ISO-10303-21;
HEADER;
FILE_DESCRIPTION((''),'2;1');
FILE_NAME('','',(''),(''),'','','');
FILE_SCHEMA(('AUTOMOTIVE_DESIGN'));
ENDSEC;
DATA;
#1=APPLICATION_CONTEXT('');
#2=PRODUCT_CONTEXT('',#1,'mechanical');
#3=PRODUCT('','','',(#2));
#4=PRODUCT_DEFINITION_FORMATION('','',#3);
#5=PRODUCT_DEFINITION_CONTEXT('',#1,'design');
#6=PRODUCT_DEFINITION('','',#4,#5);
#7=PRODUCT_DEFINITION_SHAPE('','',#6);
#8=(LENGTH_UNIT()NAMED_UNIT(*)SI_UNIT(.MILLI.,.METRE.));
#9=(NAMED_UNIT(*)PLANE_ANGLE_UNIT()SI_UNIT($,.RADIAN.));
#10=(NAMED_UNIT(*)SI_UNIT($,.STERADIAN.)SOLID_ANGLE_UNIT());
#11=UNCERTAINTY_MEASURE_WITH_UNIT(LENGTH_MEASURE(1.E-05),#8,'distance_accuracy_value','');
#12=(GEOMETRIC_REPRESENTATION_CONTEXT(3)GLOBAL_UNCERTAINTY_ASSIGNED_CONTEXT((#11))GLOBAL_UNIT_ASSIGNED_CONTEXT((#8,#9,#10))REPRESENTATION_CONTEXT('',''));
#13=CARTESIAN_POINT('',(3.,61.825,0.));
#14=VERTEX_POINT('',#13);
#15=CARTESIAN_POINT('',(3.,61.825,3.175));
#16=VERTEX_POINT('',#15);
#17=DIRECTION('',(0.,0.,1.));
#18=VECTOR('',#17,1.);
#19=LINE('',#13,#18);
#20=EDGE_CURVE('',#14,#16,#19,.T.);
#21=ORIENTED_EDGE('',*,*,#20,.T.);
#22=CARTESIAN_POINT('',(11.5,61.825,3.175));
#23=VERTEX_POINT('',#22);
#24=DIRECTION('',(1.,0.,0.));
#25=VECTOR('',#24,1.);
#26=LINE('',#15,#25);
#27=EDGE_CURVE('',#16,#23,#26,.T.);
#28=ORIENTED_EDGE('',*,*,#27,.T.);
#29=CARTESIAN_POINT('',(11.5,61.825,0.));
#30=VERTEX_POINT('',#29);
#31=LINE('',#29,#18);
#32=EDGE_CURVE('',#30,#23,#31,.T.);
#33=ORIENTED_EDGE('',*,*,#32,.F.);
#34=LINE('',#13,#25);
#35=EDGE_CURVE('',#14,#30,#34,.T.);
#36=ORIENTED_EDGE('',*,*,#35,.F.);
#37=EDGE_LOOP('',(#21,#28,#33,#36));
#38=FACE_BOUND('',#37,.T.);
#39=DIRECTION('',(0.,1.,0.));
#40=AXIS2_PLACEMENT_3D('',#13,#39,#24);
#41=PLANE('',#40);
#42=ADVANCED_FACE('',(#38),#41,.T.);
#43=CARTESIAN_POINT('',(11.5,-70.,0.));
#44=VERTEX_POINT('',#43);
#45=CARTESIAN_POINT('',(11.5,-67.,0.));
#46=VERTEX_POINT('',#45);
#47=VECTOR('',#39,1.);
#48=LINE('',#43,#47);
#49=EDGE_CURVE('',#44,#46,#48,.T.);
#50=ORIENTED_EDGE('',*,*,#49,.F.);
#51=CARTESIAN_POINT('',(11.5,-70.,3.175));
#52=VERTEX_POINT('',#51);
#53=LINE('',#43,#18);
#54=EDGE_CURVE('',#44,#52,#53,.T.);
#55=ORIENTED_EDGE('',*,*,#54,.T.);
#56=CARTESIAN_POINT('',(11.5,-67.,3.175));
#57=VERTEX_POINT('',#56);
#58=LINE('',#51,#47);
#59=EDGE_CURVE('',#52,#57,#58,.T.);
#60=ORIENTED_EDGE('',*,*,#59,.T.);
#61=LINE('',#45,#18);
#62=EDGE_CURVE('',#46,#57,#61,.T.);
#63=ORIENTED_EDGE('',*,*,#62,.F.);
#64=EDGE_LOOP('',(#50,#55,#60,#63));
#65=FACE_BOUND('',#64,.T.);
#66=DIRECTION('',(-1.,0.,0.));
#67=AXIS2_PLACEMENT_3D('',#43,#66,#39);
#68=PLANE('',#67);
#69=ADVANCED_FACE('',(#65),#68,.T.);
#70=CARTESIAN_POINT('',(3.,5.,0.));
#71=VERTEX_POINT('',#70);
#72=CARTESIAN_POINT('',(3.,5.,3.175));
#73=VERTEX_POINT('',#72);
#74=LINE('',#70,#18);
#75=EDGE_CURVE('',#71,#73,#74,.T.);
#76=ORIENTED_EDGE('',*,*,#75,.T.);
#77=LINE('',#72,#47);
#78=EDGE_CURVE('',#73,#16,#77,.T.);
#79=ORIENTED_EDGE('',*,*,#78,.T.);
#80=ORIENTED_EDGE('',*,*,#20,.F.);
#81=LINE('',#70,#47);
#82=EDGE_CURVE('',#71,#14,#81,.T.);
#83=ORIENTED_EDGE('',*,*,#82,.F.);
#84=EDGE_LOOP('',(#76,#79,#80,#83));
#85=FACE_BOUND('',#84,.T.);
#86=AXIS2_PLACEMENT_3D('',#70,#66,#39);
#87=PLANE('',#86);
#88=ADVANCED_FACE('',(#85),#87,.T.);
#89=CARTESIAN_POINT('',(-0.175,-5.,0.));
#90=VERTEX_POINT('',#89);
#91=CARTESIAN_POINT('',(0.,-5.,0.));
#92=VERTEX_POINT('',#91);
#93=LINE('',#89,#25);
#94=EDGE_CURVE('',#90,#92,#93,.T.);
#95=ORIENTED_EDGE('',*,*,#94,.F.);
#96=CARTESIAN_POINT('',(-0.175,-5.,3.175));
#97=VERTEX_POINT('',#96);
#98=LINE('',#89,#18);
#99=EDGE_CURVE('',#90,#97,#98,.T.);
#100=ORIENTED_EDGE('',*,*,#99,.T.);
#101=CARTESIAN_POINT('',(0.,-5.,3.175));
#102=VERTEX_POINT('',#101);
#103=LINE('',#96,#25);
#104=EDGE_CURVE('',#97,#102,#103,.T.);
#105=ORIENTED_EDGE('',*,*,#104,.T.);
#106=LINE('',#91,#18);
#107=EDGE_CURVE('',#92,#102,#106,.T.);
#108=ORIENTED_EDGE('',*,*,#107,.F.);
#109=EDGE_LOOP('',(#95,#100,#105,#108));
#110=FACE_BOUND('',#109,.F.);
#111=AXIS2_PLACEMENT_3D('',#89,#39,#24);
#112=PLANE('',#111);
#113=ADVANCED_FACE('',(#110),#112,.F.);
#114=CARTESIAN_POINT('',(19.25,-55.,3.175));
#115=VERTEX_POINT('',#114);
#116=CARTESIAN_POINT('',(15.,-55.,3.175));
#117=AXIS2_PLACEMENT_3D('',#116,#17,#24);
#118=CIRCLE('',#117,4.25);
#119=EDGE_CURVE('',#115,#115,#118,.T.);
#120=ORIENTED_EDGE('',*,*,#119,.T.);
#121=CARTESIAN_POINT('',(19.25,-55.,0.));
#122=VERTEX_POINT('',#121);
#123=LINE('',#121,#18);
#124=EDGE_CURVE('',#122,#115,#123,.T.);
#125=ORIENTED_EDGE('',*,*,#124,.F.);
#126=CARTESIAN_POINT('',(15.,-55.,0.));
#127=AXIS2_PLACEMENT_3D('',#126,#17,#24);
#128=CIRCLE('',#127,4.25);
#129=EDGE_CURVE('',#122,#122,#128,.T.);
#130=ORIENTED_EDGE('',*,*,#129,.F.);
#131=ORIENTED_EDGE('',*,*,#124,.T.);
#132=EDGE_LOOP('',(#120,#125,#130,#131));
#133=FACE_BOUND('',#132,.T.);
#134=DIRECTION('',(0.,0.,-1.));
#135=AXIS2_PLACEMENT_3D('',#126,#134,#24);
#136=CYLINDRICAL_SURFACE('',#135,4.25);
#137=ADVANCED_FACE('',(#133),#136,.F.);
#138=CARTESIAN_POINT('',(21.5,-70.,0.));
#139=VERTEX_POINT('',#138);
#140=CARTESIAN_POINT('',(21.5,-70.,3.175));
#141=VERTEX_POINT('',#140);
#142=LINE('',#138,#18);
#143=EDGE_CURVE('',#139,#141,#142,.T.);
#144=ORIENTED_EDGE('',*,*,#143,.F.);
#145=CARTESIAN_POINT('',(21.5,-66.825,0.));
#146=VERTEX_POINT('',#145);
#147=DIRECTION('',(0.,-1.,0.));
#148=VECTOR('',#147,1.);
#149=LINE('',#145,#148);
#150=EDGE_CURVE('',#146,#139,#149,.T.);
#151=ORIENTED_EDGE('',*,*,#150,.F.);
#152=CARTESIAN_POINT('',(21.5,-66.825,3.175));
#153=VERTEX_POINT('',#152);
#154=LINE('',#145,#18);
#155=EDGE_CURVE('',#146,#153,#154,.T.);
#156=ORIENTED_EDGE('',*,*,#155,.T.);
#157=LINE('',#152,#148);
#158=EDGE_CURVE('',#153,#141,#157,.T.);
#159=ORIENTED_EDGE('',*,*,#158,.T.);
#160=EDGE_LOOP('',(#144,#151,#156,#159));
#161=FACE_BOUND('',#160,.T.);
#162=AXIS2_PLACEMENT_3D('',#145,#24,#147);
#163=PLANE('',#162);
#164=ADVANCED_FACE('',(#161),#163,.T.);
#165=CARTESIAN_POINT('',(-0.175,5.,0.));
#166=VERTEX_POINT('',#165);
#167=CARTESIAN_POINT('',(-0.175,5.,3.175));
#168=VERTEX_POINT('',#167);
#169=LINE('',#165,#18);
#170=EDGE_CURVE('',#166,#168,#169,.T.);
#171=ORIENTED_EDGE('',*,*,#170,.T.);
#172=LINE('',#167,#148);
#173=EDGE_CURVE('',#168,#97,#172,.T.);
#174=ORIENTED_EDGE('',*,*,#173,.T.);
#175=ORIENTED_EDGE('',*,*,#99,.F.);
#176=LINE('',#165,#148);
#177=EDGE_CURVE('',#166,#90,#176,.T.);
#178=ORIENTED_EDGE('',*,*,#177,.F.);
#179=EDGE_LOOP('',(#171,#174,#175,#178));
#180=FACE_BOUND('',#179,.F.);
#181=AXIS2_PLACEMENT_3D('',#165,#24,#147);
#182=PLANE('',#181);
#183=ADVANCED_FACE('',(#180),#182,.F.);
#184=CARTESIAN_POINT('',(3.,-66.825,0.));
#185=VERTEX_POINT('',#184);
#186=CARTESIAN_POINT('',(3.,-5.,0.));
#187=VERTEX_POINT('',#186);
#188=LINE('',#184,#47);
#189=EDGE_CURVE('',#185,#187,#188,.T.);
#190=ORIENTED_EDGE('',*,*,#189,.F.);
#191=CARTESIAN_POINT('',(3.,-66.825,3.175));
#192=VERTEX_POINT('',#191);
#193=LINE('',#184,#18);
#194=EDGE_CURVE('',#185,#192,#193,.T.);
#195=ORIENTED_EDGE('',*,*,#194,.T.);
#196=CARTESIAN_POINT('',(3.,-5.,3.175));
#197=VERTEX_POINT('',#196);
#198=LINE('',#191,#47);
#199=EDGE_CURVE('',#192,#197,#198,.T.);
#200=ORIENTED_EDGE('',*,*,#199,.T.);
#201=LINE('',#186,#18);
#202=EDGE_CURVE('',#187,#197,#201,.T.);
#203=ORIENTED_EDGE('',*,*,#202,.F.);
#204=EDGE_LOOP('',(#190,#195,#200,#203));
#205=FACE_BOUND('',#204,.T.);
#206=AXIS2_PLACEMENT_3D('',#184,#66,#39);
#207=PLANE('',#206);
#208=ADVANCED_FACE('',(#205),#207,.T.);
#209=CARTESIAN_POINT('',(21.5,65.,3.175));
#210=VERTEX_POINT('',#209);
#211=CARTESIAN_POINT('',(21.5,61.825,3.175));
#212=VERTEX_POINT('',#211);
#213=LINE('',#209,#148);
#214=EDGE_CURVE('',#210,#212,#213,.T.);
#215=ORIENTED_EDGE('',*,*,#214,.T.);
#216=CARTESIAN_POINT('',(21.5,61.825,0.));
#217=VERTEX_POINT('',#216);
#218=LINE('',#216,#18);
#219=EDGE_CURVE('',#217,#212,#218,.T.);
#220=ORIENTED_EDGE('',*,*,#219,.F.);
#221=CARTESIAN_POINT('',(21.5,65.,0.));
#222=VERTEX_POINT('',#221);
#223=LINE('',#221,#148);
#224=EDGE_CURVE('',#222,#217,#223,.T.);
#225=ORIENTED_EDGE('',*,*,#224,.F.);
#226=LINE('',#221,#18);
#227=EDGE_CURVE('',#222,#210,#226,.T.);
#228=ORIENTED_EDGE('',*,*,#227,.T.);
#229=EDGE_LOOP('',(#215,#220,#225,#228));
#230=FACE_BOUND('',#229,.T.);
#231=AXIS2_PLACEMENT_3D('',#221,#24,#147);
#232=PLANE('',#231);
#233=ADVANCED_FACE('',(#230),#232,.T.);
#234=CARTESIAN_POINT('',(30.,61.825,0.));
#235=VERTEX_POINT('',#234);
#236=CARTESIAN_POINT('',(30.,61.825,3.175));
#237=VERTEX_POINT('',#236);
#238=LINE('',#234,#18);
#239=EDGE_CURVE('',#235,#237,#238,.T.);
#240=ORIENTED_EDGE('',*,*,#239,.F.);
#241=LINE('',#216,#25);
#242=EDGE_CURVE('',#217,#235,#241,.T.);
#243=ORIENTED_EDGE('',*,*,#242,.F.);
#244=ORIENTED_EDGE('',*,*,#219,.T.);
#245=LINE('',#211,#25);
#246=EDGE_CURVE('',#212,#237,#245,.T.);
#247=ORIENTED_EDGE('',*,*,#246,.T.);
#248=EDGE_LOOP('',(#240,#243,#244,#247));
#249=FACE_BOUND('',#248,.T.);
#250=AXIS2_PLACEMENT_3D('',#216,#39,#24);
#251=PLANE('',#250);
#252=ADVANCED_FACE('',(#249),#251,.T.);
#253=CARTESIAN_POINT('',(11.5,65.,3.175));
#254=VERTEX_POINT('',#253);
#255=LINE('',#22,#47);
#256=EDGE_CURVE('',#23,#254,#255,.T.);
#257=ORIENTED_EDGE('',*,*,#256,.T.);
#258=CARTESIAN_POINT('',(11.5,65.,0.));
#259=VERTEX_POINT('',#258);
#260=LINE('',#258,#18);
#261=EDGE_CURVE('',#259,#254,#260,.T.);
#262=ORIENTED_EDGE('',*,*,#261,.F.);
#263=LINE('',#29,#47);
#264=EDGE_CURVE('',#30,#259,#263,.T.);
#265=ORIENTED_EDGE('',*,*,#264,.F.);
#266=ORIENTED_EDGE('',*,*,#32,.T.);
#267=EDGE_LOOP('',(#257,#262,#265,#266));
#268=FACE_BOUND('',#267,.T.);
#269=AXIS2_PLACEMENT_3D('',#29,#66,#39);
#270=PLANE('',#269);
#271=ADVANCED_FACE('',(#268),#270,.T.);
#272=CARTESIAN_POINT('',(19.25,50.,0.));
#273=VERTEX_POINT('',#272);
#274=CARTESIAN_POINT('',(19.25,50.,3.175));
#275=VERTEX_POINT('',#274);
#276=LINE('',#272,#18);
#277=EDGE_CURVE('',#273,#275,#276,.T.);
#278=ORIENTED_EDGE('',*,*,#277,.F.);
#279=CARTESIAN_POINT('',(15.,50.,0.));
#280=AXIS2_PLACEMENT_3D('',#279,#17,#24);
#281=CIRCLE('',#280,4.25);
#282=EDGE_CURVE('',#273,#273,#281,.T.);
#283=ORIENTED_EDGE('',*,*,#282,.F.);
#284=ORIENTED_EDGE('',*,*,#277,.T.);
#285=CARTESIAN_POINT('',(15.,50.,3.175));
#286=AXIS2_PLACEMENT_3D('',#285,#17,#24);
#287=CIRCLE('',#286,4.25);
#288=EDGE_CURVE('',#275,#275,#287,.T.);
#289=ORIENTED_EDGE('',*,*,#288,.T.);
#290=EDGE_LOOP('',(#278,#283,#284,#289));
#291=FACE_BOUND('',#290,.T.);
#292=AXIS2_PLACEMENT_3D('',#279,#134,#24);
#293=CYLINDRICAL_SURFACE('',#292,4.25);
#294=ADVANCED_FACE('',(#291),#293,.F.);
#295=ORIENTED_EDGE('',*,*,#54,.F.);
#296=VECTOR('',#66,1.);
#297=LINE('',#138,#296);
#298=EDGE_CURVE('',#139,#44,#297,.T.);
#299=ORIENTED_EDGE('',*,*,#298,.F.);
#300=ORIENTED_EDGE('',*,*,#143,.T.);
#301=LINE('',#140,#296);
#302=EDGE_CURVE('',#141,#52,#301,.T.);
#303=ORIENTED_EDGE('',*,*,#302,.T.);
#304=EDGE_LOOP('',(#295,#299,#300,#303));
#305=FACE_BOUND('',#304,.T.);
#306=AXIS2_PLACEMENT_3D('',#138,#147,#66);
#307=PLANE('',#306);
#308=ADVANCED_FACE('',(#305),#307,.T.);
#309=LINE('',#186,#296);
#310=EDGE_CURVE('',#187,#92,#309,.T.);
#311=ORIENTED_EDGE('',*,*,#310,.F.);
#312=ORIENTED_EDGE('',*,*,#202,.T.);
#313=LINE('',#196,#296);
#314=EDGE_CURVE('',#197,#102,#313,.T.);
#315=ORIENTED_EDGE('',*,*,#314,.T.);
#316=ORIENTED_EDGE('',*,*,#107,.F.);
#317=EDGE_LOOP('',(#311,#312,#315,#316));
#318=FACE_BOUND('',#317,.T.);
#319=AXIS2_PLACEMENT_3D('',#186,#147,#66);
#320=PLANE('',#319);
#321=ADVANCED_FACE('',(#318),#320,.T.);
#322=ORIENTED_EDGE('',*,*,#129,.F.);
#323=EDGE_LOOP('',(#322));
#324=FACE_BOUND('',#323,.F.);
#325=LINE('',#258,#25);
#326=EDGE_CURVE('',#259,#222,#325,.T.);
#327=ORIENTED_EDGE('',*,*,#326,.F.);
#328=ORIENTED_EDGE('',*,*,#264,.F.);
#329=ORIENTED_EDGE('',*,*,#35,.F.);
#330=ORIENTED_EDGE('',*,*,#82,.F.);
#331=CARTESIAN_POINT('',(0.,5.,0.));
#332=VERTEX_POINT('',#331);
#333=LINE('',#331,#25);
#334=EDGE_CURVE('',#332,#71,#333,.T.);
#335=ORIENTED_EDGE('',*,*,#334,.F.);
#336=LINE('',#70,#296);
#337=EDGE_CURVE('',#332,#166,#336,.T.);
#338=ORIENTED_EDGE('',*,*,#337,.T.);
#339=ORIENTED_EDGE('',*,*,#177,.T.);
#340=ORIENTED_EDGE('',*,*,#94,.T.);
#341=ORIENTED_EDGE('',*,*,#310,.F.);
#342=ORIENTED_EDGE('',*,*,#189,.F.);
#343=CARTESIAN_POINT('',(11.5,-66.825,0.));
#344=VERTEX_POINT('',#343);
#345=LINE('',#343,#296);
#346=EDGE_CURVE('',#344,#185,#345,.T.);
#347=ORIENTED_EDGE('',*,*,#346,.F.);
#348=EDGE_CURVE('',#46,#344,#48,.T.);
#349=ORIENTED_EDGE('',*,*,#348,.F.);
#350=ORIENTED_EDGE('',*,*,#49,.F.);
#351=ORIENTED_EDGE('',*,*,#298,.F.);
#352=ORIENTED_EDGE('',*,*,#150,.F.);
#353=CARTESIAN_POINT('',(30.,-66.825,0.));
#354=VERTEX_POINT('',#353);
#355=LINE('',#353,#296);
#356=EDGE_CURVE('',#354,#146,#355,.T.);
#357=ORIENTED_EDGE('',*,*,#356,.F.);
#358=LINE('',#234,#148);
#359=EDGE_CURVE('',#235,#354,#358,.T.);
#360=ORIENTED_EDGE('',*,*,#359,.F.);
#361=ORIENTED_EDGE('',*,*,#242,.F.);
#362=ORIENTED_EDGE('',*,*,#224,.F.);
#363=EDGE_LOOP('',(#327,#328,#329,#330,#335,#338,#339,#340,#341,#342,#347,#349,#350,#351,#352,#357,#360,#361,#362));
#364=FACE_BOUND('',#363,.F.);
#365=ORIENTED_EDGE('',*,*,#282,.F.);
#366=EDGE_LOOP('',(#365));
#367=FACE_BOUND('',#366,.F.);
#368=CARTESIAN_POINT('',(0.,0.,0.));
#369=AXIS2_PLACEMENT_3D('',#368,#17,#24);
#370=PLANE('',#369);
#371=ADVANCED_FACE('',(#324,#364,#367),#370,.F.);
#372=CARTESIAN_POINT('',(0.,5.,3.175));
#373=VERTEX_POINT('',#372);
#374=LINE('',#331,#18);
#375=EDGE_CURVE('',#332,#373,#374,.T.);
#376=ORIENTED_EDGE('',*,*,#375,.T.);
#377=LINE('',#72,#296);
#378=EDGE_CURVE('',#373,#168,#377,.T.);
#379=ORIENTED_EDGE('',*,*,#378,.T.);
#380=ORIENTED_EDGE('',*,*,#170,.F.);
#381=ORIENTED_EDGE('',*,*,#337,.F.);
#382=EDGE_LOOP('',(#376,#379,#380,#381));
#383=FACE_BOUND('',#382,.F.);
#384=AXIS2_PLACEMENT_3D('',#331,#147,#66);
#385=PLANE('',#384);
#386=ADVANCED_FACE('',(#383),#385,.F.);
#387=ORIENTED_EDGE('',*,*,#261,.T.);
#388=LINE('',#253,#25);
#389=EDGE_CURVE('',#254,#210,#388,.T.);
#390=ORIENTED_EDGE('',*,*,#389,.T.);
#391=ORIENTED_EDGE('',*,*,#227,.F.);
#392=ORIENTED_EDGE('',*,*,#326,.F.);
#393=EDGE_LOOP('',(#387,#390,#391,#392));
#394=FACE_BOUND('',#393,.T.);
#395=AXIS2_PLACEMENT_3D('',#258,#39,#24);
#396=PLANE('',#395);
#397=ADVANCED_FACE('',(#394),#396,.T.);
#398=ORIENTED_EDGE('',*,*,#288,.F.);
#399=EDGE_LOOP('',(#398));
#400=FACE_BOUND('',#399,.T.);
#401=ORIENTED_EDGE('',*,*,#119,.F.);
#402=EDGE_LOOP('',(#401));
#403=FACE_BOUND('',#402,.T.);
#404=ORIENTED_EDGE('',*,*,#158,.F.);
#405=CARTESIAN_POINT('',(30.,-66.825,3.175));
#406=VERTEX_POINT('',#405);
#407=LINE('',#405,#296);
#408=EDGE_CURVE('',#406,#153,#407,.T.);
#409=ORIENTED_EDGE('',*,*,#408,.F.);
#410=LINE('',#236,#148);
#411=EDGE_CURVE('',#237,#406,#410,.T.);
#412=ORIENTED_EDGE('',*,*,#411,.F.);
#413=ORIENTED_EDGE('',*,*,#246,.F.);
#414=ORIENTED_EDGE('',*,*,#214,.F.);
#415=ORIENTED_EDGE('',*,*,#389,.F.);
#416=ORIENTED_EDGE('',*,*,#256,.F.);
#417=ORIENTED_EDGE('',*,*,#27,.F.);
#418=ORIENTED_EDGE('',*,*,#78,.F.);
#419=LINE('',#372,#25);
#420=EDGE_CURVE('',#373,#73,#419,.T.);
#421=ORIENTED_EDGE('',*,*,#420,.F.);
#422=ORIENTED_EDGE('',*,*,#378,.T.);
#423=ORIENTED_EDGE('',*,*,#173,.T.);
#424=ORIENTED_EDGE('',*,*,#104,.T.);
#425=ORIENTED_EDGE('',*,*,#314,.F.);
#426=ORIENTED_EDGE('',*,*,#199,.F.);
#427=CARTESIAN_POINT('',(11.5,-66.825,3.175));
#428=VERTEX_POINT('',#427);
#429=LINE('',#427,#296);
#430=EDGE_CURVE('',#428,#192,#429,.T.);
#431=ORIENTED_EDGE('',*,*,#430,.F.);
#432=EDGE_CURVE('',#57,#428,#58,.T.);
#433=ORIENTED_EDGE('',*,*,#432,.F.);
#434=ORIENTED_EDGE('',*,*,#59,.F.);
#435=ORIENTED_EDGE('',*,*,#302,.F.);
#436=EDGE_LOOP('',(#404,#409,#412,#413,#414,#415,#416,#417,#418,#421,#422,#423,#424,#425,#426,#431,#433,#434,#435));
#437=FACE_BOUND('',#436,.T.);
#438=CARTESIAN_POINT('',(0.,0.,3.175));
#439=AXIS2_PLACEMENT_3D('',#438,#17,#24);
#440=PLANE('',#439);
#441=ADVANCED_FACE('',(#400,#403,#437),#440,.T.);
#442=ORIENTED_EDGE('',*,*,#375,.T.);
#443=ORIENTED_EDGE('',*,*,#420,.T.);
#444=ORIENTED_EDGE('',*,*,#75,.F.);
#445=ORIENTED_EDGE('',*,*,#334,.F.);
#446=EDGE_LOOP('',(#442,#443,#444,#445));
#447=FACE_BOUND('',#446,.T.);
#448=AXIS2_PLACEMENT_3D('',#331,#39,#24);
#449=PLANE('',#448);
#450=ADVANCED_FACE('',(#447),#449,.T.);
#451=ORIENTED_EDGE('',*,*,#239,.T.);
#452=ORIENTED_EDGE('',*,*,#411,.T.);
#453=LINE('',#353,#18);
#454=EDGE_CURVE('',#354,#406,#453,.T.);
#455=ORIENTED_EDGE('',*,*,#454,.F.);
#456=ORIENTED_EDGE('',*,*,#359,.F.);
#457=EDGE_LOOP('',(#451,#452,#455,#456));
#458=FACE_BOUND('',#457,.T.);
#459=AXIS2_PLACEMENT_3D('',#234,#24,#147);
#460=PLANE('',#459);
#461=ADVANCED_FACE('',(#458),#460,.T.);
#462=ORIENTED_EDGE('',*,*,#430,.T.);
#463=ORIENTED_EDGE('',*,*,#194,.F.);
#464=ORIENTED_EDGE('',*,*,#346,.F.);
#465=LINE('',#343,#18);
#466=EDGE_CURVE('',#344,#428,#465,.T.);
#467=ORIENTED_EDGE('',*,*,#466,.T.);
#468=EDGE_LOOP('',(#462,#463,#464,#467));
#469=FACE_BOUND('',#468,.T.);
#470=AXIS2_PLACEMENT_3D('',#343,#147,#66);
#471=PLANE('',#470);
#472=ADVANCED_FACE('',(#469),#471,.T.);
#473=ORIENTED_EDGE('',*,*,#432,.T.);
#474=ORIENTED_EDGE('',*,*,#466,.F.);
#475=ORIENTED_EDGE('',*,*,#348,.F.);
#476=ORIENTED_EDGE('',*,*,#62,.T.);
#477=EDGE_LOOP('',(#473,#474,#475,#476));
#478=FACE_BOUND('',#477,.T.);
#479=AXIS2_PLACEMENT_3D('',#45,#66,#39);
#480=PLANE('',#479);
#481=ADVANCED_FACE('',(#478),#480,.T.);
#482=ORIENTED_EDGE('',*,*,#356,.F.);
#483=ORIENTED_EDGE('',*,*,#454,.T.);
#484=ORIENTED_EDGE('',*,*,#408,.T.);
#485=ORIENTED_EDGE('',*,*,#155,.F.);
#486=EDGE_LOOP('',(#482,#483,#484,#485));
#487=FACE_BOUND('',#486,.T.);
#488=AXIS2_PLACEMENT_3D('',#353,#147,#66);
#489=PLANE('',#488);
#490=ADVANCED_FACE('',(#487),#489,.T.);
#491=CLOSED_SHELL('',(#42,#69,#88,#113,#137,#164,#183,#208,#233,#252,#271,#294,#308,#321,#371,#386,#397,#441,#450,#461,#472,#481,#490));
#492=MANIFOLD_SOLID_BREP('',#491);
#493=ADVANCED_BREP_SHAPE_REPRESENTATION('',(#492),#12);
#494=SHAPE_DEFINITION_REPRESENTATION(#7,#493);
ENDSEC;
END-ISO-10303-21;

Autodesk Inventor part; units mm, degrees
ref_plane "YZ Plane" through (0, 0, 0) normal (1, 0, 0) x (0, 1, 0)
ref_plane "XZ Plane" through (0, 0, 0) normal (0, 1, 0) x (-1, 0, 0)
ref_plane "XY Plane" through (0, 0, 0) normal (0, 0, 1) x (1, 0, 0)
sketch "Sketch1" plane through (0, 0, 0) normal (0, 0, 1) x (1, 0, 0)
  line L0 (3, 5) -> (3, 61.825)
  line L1 (11.5, 61.825) -> (11.5, 65)
  line L2 (11.5, 65) -> (21.5, 65)
  line L3 (21.5, 65) -> (21.5, 61.825)
  line L4 (30, 61.825) -> (30, -66.825)
  line L5 (21.5, -66.825) -> (21.5, -70)
  line L6 (21.5, -70) -> (11.5, -70)
  line L7 (11.5, -70) -> (11.5, -67)
  line L8 (3, -66.825) -> (3, -5)
  line L9 (3, -5) -> (0, -5)
  line L10 (0, 5) -> (3, 5)
  circle A0 centre (15, -55) radius 4.25
  circle A1 centre (15, 50) radius 4.25
  line L11 (3, 5) -> (3, 61.825)
  line L12 (11.5, 61.825) -> (11.5, 65)
  line L13 (11.5, 65) -> (21.5, 65)
  line L14 (21.5, 65) -> (21.5, 61.825)
  line L15 (30, 61.825) -> (30, -66.825)
  line L16 (21.5, -66.825) -> (21.5, -70)
  line L17 (21.5, -70) -> (11.5, -70)
  line L18 (11.5, -70) -> (11.5, -67)
  line L19 (3, -66.825) -> (3, -5)
  line L20 (3, -5) -> (0, -5)
  line L21 (0, 5) -> (3, 5)
  circle A2 centre (15, -55) radius 4.25
  circle A3 centre (15, 50) radius 4.25
  line L22 (11.5, 65) -> (21.5, 65)
  line L23 (21.5, 65) -> (21.5, 61.825)
  line L24 (11.5, 61.825) -> (11.5, 65)
  line L25 (3, 61.825) -> (11.5, 61.825)
  line L26 (21.5, 61.825) -> (30, 61.825)
  line L27 (11.5, -70) -> (21.5, -70)
  line L28 (21.5, -70) -> (21.5, -66.825)
  line L29 (11.5, -67) -> (11.5, -70)
  line L30 (30, -66.825) -> (21.5, -66.825)
  line L31 (3, 5) -> (-0.175, 5)
  line L32 (-0.175, 5) -> (-0.175, -5)
  line L33 (-0.175, -5) -> (3, -5)
  line L34 (11.5, -70) -> (11.5, -66.825)
  line L35 (11.5, -66.825) -> (3, -66.825)
  point P0 (0, 0)
  dimension "d2" = 3.175
  dimension "d3" = 3.175
  dimension "d4" = 3.175
  dimension "d7" = 3.175
extrude "Extrusion3" add sketch "Sketch1" along normal blind 3.175
properties part number "1-8inch_Side1_2-Parts"
